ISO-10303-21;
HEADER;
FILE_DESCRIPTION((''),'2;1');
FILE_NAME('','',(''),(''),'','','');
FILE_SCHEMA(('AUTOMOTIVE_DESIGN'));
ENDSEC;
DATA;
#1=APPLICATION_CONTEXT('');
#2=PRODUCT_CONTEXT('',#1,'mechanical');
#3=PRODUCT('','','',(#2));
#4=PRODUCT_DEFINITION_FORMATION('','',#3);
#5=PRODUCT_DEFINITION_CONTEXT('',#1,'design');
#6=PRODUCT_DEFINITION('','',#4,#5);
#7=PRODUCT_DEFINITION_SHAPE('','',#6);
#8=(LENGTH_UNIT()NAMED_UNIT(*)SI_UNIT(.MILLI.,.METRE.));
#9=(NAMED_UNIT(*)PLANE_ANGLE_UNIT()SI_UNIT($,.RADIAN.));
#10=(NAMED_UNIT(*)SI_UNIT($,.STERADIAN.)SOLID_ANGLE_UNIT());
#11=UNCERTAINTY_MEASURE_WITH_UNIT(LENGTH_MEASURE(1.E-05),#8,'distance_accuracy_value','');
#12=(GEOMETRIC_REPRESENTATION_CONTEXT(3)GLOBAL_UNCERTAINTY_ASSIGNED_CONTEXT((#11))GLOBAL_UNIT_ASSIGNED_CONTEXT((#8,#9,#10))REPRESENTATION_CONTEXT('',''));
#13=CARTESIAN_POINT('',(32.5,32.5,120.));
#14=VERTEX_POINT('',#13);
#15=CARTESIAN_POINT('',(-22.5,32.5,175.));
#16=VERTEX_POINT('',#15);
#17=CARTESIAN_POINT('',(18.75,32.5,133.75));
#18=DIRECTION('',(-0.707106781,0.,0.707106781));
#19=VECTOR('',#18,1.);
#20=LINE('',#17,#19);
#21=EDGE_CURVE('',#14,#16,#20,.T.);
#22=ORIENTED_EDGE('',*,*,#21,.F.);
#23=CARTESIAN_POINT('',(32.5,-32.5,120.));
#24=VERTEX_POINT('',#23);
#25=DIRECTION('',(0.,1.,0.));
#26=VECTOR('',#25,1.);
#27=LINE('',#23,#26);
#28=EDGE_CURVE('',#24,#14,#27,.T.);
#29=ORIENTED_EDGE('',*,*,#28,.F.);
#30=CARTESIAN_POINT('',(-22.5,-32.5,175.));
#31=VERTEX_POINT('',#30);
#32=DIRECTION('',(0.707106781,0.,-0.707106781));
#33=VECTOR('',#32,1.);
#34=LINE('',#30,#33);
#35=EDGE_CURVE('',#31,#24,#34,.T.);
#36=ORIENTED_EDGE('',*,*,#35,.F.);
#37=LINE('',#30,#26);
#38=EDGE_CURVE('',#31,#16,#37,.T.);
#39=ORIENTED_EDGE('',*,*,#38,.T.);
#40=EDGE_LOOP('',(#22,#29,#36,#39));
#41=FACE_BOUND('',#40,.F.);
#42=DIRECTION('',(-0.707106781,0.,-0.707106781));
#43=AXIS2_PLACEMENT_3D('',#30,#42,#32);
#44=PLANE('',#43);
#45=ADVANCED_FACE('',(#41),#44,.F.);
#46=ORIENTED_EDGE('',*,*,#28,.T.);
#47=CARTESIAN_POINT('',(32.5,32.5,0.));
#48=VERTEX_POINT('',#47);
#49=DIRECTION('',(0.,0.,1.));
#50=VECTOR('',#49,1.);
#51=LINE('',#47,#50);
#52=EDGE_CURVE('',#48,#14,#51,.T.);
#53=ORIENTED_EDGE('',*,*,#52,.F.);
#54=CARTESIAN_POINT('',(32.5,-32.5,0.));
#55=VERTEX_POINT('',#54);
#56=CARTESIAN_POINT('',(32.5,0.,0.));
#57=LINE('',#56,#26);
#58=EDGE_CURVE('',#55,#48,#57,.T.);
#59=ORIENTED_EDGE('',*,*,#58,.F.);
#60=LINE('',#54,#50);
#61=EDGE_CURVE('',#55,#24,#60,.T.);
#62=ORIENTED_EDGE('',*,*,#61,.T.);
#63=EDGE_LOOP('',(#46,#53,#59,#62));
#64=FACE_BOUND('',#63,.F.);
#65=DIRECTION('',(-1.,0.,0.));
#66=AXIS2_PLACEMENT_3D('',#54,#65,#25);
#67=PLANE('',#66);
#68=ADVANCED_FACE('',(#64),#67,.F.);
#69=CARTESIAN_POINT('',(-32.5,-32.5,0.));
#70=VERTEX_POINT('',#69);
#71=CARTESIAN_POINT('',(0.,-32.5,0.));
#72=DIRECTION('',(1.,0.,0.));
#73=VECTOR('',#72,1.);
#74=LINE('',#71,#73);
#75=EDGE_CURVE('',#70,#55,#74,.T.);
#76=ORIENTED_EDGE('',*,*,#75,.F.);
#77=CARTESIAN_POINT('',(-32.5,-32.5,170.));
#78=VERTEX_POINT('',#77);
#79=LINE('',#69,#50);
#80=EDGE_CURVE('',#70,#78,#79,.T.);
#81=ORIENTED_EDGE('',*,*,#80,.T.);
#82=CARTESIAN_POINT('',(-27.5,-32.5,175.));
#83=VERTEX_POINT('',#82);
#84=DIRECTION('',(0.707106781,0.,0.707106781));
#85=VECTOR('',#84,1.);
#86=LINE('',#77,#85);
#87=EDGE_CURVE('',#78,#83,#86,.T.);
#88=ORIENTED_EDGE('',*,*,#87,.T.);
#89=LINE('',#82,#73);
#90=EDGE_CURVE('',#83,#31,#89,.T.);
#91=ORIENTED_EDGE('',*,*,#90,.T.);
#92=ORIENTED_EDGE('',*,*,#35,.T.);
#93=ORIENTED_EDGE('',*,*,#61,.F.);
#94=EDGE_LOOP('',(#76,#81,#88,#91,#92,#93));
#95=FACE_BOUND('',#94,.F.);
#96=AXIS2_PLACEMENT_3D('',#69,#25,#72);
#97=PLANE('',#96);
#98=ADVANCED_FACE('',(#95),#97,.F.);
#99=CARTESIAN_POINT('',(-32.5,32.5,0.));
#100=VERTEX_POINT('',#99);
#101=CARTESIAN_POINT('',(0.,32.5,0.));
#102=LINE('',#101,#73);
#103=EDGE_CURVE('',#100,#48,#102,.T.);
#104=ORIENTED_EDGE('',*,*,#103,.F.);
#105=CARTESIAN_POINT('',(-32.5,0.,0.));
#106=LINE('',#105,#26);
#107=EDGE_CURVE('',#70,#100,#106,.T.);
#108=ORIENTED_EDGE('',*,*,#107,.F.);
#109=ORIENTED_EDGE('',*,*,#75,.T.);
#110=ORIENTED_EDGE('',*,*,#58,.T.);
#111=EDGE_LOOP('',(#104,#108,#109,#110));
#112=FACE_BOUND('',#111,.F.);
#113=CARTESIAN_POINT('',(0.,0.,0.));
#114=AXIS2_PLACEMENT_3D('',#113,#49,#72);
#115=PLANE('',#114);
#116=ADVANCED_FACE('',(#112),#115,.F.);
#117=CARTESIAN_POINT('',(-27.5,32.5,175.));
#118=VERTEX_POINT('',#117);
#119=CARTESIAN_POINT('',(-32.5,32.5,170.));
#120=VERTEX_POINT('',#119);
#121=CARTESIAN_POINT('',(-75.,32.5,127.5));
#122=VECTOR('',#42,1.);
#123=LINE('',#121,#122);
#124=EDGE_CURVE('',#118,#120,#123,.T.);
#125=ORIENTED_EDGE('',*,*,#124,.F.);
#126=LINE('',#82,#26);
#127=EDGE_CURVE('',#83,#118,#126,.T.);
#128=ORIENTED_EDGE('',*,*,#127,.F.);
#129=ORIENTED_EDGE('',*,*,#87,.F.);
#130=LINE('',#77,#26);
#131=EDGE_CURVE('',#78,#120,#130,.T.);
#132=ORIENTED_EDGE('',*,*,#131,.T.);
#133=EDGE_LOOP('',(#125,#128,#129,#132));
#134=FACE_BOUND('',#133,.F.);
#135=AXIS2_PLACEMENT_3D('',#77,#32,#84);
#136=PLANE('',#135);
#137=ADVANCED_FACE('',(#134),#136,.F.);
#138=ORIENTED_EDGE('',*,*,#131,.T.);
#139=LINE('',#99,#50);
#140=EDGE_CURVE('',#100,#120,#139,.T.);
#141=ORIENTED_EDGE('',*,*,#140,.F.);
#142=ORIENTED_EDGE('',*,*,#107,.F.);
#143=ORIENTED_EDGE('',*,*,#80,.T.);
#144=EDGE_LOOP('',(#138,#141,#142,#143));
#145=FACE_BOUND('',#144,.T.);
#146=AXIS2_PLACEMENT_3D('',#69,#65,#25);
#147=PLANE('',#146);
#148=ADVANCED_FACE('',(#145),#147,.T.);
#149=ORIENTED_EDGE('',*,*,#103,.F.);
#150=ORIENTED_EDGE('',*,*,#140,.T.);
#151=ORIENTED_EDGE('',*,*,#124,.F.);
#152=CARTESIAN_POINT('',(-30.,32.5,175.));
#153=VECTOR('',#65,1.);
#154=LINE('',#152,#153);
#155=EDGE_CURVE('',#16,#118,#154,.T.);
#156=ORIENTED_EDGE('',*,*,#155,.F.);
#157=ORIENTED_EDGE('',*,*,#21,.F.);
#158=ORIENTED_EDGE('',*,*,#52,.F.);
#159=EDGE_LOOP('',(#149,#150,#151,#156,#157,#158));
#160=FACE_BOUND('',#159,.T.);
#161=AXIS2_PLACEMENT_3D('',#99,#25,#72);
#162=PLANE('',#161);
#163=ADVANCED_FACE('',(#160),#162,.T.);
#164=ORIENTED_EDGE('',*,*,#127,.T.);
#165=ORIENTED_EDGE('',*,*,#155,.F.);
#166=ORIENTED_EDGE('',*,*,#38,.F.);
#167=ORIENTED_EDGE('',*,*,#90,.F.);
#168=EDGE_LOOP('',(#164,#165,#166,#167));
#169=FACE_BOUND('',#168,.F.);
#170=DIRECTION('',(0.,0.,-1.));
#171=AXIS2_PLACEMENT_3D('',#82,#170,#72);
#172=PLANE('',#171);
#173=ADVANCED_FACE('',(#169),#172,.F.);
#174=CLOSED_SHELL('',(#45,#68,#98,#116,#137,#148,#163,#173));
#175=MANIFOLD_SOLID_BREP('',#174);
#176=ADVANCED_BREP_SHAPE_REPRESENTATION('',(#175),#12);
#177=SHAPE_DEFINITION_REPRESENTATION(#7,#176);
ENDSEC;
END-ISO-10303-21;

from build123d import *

# Parameters (mm, degrees)
F0_W      = 65
F0_H      = 65
F1_DEPTH  = 350
F3_DEPTH  = 65.001
F4_W      = 75
F4_H      = 65
F5_DEPTH  = 2
F6_W      = 65
F6_H      = 75
F7_DEPTH  = 2
F10_DEPTH = 65.001


with BuildPart() as f1:
    # F0 (on Top) → F1 (new body)
    with BuildSketch(Plane.XY):
        Rectangle(F0_W, F0_H)
    extrude(amount=F1_DEPTH)

    # F2 (on face) → F3 (cut, through all)
    with BuildSketch(Plane.XZ.offset(32.5)):
        Polygon((-22.5, 175), (32.5, 120), (32.5, 230), align=None)
        Polygon((-32.5, 180), (-32.5, 170), (-27.5, 175), align=None)
    extrude(amount=-F3_DEPTH, mode=Mode.SUBTRACT)

    # F9 (on face) → F10 (cut, through all)
    with BuildSketch(Plane.XZ.offset(32.5)):
        Polygon((-32.5, 180), (-27.5, 175), (-22.5, 175), (32.5, 230), (32.5, 350), (-32.5, 350), align=None)
    extrude(amount=-F10_DEPTH, mode=Mode.SUBTRACT)


with BuildPart() as f5:
    # F4 (on face) → F5 (new body)
    with BuildSketch(Plane(origin=(76.25, 0, 76.25), x_dir=(0.7071067812, 0, -0.7071067812), z_dir=(0.7071067812, 0, 0.7071067812))):
        with Locations((-99.3718433538, 0)):
            Rectangle(F4_W, F4_H)
    extrude(amount=F5_DEPTH)


with BuildPart() as f7:
    # F6 (on face) → F7 (new body)
    with BuildSketch(Plane(origin=(-98.75, 0, 98.75), x_dir=(0, 1, 0), z_dir=(0.7071067812, 0, -0.7071067812))):
        with Locations((0, 148.1155300615)):
            Rectangle(F6_W, F6_H)
    extrude(amount=F7_DEPTH)


solid = f1.part
